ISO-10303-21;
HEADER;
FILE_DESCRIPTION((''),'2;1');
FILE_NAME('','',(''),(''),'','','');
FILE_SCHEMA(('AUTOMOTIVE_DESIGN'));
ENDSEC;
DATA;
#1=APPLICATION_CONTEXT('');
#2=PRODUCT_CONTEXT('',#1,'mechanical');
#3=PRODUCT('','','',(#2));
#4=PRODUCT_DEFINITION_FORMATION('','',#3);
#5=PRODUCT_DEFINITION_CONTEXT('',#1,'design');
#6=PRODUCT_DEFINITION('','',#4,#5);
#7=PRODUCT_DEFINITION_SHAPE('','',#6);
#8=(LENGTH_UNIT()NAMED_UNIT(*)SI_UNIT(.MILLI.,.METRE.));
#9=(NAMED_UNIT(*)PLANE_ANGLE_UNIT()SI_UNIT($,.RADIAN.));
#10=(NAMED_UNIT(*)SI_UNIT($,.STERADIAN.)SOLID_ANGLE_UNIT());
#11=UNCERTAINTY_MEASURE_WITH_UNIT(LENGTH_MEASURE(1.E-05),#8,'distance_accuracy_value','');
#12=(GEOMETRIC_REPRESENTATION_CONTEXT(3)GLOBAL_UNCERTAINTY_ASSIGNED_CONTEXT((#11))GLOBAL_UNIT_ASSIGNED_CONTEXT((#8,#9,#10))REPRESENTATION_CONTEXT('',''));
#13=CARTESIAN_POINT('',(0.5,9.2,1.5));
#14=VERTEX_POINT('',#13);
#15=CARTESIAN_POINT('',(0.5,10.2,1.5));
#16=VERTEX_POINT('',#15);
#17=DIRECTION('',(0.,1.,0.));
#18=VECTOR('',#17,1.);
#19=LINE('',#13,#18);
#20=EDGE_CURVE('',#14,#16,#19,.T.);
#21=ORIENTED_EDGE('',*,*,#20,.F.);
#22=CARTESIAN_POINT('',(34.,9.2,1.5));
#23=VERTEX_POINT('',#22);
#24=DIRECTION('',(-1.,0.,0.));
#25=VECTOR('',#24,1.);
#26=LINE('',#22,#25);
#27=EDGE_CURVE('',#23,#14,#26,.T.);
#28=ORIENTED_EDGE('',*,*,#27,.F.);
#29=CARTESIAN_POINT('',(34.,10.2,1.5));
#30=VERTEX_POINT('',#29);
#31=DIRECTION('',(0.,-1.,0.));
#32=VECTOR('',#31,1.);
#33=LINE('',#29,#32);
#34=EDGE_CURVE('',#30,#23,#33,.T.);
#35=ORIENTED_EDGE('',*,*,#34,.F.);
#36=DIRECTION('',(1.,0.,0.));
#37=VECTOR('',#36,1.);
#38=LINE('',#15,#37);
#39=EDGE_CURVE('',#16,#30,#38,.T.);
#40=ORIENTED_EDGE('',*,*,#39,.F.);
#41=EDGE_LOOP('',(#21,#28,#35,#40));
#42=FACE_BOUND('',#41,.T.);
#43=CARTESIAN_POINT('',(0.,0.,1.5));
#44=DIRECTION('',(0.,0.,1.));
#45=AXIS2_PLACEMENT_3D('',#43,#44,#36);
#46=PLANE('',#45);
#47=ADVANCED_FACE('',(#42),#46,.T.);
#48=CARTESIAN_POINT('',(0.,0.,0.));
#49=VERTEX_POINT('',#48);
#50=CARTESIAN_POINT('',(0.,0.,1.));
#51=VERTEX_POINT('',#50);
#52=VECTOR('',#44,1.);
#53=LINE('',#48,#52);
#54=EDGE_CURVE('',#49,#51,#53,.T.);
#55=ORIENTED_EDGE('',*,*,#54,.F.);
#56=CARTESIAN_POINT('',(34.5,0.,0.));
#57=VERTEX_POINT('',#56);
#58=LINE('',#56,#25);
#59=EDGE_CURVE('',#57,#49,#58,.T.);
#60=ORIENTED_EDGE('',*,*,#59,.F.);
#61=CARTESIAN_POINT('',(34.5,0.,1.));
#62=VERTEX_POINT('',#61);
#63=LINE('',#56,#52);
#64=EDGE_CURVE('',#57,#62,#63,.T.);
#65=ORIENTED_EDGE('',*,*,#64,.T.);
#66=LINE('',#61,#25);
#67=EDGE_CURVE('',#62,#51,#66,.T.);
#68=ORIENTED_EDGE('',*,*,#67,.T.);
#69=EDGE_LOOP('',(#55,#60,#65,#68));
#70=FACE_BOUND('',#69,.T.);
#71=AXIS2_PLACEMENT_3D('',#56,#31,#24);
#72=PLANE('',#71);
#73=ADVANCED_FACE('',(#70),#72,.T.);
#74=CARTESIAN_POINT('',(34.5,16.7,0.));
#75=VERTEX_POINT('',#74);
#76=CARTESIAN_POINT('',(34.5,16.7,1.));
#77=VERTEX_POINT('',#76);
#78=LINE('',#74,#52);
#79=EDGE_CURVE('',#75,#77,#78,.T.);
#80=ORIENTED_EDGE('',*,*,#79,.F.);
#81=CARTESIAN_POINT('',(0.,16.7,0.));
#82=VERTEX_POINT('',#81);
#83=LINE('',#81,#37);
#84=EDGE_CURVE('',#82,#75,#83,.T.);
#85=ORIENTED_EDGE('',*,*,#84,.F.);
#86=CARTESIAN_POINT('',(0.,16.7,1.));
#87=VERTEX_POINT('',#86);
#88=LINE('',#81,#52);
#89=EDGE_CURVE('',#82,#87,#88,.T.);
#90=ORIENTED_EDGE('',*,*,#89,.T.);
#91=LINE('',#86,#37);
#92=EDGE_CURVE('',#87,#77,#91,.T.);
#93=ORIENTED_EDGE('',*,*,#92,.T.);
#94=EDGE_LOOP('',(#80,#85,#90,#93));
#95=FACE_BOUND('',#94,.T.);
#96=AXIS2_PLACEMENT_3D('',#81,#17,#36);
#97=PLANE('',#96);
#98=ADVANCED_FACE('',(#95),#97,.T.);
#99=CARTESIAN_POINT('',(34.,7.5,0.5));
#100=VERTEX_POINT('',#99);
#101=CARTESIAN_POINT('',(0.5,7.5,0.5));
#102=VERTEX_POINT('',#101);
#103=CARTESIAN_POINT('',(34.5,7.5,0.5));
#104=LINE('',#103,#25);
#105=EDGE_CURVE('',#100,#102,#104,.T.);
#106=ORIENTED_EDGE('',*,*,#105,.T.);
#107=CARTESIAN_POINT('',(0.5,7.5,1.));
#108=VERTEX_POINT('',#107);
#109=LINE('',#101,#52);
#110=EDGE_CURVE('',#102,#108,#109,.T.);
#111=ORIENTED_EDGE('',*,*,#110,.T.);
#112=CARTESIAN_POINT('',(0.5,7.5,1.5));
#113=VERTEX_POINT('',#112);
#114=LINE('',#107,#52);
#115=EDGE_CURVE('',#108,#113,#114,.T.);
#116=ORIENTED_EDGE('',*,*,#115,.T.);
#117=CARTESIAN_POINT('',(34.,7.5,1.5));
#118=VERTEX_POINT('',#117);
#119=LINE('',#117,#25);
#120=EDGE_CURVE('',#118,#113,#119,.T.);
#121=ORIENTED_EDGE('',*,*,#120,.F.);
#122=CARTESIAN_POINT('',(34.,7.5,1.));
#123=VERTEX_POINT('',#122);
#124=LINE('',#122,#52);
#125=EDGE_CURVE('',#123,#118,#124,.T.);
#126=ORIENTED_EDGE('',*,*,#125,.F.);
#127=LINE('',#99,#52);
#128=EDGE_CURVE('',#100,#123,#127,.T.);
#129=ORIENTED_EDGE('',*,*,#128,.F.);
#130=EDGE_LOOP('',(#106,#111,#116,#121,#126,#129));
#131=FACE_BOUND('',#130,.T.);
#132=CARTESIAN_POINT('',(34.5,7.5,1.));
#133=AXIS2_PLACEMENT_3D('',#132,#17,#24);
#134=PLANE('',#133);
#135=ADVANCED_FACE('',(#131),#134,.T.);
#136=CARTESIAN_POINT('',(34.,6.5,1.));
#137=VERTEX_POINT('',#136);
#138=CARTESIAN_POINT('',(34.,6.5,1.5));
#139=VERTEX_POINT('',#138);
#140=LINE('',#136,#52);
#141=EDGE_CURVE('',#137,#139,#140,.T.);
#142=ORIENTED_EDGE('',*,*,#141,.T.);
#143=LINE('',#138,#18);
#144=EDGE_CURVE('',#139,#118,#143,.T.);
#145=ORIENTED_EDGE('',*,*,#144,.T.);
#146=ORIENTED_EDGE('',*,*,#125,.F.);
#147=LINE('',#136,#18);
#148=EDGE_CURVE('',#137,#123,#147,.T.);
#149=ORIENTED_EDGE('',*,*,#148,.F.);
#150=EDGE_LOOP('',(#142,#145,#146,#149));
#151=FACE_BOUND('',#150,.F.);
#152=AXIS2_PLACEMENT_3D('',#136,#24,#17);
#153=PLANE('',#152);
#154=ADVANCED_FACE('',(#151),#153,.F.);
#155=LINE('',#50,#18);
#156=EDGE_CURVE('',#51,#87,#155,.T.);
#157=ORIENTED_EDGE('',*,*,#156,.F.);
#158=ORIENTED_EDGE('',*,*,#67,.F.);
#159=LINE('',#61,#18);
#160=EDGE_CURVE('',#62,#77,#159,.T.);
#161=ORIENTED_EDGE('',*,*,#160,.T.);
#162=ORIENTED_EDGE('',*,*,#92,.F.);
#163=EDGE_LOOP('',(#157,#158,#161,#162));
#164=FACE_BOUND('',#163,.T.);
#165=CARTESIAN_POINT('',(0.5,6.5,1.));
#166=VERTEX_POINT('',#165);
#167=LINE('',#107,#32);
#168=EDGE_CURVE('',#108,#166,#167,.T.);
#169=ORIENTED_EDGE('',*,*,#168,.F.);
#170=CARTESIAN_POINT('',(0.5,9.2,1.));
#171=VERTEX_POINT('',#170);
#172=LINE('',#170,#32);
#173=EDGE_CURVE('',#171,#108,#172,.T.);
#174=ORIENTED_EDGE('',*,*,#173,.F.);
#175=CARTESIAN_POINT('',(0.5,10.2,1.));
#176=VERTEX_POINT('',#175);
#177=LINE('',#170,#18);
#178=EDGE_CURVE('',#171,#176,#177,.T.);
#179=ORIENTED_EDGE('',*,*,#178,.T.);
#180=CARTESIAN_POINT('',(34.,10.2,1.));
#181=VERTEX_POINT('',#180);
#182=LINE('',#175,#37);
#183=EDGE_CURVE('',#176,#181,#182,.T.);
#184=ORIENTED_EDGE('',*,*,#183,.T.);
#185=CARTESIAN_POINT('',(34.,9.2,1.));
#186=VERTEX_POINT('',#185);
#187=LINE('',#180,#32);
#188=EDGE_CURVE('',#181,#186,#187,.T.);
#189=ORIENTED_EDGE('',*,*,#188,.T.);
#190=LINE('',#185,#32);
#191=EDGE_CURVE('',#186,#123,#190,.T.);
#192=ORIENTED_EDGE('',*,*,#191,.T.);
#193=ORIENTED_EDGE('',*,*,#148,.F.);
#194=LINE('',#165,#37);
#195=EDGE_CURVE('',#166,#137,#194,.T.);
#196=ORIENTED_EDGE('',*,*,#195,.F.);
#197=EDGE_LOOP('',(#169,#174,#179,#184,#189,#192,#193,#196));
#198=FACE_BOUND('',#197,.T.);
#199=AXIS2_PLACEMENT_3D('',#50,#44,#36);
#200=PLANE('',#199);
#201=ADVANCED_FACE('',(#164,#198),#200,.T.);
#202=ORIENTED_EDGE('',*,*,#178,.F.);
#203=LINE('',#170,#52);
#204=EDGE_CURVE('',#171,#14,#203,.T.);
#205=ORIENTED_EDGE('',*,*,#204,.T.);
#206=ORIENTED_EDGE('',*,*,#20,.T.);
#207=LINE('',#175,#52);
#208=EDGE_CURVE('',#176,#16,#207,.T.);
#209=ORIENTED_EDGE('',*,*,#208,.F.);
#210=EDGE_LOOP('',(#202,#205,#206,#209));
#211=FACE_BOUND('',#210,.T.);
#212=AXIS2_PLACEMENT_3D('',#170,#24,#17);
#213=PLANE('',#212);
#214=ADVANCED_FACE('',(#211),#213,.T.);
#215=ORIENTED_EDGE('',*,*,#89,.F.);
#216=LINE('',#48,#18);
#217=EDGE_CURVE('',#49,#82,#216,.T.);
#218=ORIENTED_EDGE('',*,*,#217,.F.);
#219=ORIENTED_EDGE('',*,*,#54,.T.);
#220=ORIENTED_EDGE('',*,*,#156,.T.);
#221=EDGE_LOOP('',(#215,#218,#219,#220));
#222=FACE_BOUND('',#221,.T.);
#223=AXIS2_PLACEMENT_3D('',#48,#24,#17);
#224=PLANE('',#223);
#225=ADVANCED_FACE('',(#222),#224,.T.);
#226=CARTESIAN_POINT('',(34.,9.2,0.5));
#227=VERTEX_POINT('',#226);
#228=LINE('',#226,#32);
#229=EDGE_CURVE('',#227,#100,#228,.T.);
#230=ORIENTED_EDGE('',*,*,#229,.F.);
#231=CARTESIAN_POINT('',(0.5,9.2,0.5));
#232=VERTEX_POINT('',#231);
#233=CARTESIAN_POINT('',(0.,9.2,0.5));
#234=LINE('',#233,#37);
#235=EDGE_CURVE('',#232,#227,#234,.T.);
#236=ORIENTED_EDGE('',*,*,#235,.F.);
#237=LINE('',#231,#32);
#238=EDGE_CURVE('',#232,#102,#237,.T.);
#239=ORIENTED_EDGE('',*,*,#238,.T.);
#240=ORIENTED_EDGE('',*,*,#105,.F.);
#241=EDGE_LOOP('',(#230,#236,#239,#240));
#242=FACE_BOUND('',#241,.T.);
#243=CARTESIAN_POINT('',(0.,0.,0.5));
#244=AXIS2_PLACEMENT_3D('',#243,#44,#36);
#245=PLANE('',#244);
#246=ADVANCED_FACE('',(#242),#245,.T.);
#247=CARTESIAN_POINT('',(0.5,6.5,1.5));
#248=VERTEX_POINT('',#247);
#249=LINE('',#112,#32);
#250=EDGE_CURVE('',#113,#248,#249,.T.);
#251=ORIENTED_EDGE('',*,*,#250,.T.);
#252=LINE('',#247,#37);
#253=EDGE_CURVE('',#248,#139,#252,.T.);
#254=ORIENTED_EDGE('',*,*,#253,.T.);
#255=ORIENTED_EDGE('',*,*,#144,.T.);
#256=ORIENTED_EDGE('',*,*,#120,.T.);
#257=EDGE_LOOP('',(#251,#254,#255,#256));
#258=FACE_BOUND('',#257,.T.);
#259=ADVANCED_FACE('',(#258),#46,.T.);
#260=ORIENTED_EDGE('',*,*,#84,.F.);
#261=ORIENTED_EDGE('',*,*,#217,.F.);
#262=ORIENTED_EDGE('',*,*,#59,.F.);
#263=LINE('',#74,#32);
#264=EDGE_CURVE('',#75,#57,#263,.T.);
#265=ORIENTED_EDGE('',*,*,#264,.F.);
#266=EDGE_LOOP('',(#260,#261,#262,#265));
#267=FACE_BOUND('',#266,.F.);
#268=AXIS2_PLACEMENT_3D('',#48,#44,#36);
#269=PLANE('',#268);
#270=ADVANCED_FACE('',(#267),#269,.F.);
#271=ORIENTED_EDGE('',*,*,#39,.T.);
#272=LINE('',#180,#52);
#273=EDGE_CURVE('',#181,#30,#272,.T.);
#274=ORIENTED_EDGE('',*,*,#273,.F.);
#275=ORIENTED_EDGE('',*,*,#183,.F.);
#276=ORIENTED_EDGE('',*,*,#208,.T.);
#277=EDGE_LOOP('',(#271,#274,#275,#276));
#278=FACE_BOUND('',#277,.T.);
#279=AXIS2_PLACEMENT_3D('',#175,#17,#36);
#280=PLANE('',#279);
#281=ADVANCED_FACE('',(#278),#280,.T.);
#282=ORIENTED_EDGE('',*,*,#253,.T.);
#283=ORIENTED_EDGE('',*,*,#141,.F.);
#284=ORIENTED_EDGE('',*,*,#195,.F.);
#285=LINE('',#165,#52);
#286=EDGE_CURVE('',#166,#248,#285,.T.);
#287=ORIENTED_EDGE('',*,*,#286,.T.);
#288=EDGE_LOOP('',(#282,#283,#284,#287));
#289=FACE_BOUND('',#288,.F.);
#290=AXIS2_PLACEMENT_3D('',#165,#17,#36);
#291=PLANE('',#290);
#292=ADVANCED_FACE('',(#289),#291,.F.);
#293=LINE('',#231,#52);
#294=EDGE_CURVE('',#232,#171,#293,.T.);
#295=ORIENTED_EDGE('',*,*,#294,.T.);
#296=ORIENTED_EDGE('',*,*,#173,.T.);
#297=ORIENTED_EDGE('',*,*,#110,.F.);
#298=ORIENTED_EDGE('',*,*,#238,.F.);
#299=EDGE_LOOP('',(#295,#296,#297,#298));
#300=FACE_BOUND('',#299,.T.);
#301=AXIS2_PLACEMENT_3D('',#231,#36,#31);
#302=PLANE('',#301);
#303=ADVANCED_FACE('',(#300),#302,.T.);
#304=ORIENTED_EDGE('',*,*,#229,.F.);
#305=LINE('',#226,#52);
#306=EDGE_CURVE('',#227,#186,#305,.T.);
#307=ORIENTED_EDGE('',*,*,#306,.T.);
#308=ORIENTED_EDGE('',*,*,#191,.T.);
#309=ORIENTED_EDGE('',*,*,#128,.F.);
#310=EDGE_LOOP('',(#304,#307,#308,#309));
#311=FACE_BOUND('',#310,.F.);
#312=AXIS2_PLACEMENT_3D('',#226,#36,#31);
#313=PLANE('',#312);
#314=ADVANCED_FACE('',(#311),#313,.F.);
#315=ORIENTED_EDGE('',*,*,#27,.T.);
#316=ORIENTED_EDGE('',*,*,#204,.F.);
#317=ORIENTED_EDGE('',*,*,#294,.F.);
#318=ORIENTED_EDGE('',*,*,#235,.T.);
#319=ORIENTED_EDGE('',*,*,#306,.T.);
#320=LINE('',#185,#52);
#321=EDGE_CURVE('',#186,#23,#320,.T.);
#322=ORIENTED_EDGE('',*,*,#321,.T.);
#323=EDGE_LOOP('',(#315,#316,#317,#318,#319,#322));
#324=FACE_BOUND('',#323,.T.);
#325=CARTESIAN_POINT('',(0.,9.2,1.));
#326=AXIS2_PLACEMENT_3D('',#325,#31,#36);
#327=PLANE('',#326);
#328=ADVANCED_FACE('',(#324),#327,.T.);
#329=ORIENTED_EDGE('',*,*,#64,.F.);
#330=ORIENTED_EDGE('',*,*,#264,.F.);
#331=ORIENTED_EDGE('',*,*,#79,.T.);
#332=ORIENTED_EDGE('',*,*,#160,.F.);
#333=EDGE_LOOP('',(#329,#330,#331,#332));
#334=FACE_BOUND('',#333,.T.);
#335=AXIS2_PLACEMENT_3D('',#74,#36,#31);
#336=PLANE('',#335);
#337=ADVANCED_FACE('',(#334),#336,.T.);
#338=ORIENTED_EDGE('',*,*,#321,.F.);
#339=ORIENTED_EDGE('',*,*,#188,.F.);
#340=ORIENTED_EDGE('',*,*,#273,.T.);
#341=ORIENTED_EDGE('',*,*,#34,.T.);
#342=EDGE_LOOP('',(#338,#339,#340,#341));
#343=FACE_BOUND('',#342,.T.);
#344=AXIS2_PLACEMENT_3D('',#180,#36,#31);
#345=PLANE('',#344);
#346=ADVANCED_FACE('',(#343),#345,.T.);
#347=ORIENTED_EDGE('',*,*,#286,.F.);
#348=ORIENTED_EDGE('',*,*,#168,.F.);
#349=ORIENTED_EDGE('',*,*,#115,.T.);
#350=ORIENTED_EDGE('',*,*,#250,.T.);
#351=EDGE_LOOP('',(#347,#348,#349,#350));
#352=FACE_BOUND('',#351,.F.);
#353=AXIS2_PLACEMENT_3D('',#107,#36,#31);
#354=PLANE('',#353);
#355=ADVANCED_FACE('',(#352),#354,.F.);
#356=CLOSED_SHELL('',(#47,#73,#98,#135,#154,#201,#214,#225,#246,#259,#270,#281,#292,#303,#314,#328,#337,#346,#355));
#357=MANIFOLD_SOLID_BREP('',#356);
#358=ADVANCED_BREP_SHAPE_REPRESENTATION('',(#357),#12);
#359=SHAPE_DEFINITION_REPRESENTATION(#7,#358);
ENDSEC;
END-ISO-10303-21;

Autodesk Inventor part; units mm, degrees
ref_plane "YZ Plane" through (0, 0, 0) normal (1, 0, 0) x (0, 1, 0)
ref_plane "XZ Plane" through (0, 0, 0) normal (0, 1, 0) x (-1, 0, 0)
ref_plane "XY Plane" through (0, 0, 0) normal (0, 0, 1) x (1, 0, 0)
sketch "Sketch1" plane through (0, 0, 0) normal (0, 0, 1) x (1, 0, 0)
  line L0 (0, 0) -> (0, 16.7)
  line L1 (0, 16.7) -> (34.5, 16.7)
  line L2 (34.5, 16.7) -> (34.5, 0)
  line L3 (34.5, 0) -> (0, 0)
  dimension "d0" = 16.7
  dimension "d1" = 34.5
extrude "Extrusion1" add sketch "Sketch1" along normal blind 1
sketch "Sketch2" plane through (0, 0, 1) normal (0, 0, 1) x (1, 0, 0)
  line L0 (0, 16.7) -> (0, 0) projected
  line L1 (0, 0) -> (34.5, 0) projected
  line L2 (0, 9.2) -> (34.5, 9.2)
  line L3 (34.5, 9.2) -> (34.5, 7.5)
  line L4 (34.5, 7.5) -> (0, 7.5)
  line L5 (0, 7.5) -> (0, 9.2)
  dimension "d4" = 34.5
  dimension "d5" = 1.7
  dimension "d6" = 7.5
extrude "Extrusion2" cut sketch "Sketch2" against normal blind 0.5
sketch "Sketch3" plane through (0, 0, 0.5) normal (0, 0, 1) x (1, 0, 0)
  line L0 (34.5, 7.5) -> (0, 7.5) projected
  line L1 (34.5, 7.5) -> (0, 7.5) projected
  line L2 (0, 9.2) -> (0.5, 9.2)
  line L3 (0.5, 9.2) -> (0.5, 7.5)
  line L4 (0.5, 7.5) -> (0, 7.5)
  line L5 (0, 7.5) -> (0, 9.2)
  line L6 (34.5, 9.2) -> (34, 9.2)
  line L7 (34, 9.2) -> (34, 7.5)
  line L8 (34, 7.5) -> (34.5, 7.5)
  line L9 (34.5, 7.5) -> (34.5, 9.2)
  point P0 (0, 0)
  dimension "d9" = 0.5
  dimension "d10" = 0.5
extrude "Extrusion3" add sketch "Sketch3" along normal blind 0.5
sketch "Sketch4" plane through (0, 0, 1) normal (0, 0, 1) x (1, 0, 0)
  line L0 (0.5, 10.2) -> (34, 10.2)
  line L1 (34, 10.2) -> (34, 9.2)
  line L2 (34, 9.2) -> (0.5, 9.2)
  line L3 (0.5, 9.2) -> (0.5, 10.2)
  line L4 (34, 7.5) -> (0.5, 7.5)
  line L5 (0.5, 7.5) -> (0.5, 6.5)
  line L6 (0.5, 6.5) -> (34, 6.5)
  line L7 (34, 6.5) -> (34, 7.5)
  dimension "d13" = 1
  dimension "d14" = 1
extrude "Extrusion4" add sketch "Sketch4" along normal blind 0.5
properties part number "Zijplaat 2"
